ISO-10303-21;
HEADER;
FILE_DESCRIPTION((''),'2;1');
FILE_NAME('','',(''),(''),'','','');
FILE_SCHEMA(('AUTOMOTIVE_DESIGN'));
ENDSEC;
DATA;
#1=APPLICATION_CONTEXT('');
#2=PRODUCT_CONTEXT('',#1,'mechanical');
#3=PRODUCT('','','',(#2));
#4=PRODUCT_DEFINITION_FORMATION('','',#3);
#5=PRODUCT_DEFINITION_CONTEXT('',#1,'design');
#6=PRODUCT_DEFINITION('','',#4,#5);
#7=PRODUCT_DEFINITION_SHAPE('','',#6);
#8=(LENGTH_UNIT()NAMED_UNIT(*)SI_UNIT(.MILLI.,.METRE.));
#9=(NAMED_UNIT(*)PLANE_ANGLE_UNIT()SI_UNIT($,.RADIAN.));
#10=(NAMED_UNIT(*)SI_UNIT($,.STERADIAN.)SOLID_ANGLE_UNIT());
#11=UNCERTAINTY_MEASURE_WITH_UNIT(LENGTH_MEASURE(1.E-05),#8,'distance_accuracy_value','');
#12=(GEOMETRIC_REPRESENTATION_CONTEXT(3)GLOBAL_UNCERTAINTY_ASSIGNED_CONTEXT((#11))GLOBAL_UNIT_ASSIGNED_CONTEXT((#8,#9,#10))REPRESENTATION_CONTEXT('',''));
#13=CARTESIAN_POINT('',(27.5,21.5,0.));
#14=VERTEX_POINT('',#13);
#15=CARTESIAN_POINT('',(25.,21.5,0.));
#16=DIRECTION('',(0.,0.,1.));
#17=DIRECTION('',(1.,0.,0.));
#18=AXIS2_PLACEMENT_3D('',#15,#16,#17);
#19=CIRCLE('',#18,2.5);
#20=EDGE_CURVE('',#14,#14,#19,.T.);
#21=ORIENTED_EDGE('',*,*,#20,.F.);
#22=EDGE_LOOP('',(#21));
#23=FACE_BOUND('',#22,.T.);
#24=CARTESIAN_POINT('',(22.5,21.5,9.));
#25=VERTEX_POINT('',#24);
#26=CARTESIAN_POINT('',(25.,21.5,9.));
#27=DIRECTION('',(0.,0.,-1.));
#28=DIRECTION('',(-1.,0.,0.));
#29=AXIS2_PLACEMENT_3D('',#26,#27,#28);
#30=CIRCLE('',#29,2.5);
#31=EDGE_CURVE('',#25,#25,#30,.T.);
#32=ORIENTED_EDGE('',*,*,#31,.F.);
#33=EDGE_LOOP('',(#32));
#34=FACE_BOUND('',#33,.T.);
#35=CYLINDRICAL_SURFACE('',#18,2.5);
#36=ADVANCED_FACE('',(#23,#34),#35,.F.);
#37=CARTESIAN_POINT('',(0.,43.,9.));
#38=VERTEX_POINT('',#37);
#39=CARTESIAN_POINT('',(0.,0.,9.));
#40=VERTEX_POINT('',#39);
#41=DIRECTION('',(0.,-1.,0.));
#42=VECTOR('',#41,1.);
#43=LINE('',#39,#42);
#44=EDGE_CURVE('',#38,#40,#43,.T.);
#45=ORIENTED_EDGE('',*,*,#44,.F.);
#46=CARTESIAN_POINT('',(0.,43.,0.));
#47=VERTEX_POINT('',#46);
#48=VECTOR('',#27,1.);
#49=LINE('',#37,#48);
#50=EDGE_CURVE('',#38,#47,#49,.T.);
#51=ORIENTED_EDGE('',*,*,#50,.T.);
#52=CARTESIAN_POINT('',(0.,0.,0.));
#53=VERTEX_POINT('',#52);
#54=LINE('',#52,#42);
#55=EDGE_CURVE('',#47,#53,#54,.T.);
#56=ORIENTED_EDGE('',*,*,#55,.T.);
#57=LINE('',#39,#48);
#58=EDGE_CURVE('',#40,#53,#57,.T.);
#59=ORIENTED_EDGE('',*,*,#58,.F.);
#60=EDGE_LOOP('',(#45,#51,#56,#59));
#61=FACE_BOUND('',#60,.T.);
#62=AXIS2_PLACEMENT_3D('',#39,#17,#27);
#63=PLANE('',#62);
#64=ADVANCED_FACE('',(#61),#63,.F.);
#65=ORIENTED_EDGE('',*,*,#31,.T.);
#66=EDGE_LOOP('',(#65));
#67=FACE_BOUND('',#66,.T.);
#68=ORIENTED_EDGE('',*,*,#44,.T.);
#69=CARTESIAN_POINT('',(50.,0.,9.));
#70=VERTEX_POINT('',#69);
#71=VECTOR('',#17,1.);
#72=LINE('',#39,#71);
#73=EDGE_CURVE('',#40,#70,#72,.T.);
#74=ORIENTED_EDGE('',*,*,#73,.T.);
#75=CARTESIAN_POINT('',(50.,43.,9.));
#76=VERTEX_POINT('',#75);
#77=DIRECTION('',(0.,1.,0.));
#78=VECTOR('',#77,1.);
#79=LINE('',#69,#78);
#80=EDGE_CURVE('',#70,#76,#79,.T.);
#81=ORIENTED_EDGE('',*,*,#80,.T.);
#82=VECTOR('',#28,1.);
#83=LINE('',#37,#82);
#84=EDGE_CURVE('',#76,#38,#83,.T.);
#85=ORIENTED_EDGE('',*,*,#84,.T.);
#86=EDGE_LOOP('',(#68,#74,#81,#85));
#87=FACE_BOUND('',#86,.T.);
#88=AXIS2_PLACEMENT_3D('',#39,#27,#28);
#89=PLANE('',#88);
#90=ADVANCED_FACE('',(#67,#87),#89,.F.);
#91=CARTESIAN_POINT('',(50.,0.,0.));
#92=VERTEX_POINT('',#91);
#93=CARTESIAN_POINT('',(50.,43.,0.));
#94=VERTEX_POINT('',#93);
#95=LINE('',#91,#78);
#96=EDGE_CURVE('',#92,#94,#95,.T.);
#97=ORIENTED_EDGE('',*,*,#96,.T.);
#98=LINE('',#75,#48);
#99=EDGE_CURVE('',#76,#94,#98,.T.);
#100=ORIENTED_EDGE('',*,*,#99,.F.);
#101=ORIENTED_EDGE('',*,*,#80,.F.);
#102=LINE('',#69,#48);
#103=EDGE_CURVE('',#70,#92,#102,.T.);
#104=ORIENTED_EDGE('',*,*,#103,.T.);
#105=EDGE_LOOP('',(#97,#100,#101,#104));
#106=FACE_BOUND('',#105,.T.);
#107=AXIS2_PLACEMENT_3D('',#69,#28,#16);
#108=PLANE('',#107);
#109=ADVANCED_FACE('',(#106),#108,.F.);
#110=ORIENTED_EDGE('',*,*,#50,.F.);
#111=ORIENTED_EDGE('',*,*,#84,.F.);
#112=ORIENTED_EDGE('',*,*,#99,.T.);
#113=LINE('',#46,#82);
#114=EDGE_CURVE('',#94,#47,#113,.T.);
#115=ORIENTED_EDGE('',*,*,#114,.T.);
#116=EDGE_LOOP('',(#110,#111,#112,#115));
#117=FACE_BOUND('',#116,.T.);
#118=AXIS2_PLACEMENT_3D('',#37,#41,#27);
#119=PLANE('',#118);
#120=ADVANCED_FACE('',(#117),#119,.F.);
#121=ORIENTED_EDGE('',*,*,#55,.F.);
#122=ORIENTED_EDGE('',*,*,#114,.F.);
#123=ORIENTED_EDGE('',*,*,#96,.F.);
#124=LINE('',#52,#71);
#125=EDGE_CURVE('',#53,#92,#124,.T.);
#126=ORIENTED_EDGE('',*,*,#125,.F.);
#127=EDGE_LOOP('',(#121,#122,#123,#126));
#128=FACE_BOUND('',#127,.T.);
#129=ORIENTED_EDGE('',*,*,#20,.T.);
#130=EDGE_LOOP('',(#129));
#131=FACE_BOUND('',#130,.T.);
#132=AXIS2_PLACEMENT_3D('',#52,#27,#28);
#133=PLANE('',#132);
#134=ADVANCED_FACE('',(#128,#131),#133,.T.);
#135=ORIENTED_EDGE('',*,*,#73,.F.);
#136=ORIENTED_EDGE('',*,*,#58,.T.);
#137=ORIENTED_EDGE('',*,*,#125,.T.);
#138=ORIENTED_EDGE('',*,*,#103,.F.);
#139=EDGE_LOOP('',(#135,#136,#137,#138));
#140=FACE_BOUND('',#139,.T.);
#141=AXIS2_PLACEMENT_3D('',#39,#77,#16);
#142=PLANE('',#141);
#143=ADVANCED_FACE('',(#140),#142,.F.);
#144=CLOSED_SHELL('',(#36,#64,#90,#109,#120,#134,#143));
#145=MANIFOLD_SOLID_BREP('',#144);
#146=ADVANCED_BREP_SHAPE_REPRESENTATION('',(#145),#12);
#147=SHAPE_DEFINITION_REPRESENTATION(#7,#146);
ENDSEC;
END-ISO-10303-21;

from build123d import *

# Parameters (mm, degrees)
ESQUISSE3_W                  = 50
ESQUISSE3_H                  = 43
BOSS_EXTRU_1_DEPTH           = 9
ESQUISSE4_R                  = 2.5
ENL_V_MAT_EXTRU_1_DEPTH      = 1
ENL_V_MAT_EXTRU_1_DEPTH_BACK = 10


with BuildPart() as part:
    # Esquisse3 → Boss.-Extru.1 (new body)
    with BuildSketch(Plane.XY):
        with Locations((25, 21.5)):
            Rectangle(ESQUISSE3_W, ESQUISSE3_H)
    extrude(amount=BOSS_EXTRU_1_DEPTH)

    # Esquisse4 → Enlèv. mat.-Extru.1 (cut, two sides)
    with BuildSketch(Plane.XY.offset(9)) as enl_v_mat_extru_1_sk:
        with Locations((25, 21.5)):
            Circle(ESQUISSE4_R)
    extrude(amount=ENL_V_MAT_EXTRU_1_DEPTH, mode=Mode.SUBTRACT)
    extrude(enl_v_mat_extru_1_sk.sketch, amount=-ENL_V_MAT_EXTRU_1_DEPTH_BACK, mode=Mode.SUBTRACT)


solid = part.part
